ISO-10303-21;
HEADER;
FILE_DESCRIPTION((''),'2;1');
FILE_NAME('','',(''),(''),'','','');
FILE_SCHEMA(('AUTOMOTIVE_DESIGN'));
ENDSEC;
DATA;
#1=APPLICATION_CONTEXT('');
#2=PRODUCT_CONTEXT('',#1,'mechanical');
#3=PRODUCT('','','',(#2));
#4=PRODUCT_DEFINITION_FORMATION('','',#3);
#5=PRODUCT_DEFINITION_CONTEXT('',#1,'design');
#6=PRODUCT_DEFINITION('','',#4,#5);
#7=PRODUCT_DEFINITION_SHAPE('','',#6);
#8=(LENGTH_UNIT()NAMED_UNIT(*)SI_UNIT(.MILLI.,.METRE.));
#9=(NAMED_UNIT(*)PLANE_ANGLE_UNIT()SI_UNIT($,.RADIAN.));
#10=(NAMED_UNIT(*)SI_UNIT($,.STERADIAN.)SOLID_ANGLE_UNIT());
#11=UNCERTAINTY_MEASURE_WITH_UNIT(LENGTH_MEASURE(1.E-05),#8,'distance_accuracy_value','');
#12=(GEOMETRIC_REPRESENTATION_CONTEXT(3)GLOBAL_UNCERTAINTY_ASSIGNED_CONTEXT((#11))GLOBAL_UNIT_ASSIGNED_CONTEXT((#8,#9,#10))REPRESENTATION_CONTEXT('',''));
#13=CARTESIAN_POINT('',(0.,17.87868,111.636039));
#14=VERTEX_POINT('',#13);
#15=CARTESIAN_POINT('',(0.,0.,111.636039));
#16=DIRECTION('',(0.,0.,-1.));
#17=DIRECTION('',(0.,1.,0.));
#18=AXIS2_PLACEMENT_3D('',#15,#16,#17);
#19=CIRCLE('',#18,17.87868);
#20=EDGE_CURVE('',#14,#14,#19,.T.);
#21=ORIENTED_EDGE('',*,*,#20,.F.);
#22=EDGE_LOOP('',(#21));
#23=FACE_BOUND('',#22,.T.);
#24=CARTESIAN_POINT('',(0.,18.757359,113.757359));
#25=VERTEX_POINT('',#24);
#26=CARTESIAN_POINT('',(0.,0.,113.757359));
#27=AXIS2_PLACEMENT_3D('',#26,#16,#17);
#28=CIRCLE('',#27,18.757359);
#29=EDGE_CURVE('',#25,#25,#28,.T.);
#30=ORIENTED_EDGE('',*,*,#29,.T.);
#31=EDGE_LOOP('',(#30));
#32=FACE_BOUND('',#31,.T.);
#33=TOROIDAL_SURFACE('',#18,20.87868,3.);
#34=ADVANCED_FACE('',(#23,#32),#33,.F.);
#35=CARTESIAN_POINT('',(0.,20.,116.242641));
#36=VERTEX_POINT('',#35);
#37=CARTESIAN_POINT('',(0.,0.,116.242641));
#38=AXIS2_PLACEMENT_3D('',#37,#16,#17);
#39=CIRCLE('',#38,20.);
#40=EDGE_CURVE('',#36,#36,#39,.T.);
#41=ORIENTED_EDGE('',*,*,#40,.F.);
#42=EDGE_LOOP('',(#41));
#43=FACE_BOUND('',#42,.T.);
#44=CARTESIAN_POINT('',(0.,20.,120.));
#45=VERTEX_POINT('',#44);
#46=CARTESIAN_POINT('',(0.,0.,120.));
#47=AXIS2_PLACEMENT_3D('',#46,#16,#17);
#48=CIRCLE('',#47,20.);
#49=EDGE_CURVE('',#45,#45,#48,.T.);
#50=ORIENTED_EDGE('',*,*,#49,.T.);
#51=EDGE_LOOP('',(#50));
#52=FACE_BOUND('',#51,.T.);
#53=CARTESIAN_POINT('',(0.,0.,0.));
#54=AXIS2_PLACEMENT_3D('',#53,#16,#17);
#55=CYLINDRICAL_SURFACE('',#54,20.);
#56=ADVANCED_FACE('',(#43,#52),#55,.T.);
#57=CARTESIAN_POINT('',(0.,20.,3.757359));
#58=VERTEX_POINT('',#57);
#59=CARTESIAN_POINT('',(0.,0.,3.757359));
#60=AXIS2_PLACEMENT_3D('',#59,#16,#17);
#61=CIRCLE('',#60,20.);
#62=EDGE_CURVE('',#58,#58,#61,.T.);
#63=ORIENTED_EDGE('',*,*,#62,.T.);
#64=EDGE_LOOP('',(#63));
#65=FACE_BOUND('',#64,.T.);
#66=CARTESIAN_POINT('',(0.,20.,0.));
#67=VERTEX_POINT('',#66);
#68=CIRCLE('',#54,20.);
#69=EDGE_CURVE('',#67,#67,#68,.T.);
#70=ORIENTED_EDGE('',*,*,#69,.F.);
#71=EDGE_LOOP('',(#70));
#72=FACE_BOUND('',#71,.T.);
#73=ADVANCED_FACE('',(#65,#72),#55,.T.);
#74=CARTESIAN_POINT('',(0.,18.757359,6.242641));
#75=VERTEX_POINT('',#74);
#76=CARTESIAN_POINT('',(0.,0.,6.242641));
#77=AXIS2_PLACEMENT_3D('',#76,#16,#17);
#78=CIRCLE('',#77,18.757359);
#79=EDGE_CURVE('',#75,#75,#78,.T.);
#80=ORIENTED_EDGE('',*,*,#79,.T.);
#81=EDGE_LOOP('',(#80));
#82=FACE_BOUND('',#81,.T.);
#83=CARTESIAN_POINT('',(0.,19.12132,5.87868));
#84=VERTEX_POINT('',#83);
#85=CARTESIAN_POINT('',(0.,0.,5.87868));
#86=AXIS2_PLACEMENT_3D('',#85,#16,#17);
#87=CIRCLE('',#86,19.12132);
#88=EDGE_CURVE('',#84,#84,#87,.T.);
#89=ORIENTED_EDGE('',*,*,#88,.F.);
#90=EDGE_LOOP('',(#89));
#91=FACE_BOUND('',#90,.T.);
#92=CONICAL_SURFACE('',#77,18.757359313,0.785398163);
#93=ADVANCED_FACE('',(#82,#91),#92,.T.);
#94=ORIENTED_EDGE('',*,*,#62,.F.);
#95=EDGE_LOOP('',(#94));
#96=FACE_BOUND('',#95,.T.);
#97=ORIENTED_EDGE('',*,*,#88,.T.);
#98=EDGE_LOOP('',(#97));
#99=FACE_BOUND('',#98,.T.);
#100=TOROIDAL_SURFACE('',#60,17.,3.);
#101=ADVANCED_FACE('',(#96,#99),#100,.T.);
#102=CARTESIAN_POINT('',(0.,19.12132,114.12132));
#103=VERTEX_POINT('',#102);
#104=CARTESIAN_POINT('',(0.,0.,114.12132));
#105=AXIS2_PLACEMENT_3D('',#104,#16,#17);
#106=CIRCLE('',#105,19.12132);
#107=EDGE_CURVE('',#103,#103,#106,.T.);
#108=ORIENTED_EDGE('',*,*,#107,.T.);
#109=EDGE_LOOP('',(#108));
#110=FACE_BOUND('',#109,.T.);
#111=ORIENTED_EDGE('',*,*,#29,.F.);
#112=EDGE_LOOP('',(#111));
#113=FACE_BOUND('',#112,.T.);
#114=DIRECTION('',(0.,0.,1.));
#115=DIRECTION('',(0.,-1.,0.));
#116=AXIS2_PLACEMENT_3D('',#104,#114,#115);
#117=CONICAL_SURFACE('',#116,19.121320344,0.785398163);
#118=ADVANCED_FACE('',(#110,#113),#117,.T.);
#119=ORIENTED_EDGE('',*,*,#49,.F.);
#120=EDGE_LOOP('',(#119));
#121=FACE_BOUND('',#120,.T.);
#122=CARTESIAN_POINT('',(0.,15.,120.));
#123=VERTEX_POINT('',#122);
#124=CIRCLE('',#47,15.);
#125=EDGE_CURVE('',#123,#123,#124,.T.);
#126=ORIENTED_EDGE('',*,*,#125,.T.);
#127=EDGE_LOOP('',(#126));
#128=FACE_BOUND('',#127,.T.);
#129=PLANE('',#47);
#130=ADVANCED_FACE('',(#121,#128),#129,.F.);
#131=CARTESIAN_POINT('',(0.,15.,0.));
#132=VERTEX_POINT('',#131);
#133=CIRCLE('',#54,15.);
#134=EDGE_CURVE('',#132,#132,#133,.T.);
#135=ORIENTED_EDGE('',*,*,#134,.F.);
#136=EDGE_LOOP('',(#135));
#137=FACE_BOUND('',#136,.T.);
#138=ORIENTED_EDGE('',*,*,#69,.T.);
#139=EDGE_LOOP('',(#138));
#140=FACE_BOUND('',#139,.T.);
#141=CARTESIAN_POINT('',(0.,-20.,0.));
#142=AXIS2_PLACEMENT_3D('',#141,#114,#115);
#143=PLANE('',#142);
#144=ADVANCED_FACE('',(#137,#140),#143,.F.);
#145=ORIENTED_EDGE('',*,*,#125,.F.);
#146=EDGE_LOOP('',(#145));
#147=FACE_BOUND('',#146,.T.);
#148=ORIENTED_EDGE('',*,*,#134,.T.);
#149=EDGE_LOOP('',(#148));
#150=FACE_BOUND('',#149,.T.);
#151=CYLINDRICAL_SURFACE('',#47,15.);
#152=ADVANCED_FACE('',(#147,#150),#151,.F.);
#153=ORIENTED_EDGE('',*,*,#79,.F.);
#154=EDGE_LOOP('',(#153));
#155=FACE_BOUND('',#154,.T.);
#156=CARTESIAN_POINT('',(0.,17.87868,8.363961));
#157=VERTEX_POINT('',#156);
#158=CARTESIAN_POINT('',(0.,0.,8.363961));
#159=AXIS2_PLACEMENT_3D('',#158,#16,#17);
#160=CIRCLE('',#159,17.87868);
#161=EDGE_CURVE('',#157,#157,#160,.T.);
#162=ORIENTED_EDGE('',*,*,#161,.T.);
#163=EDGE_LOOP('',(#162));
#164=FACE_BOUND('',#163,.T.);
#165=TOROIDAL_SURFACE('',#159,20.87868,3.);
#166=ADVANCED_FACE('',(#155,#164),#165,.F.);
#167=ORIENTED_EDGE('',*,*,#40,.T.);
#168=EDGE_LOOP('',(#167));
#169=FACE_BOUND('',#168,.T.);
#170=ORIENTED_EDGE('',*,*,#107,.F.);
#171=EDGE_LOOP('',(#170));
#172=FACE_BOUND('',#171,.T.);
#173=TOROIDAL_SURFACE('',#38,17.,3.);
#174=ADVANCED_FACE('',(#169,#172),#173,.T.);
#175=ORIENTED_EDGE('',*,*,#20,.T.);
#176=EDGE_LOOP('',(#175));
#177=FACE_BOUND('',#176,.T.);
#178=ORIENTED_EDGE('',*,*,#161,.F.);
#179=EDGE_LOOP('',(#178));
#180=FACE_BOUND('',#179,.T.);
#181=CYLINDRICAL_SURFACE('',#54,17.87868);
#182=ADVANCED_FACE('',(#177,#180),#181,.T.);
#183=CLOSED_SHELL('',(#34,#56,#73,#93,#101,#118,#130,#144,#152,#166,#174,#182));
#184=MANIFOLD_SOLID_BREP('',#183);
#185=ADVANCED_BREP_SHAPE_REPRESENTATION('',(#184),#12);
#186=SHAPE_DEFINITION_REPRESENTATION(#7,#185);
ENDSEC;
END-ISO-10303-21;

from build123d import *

# Parameters (mm, degrees)
SKETCH2_R          = 15
CUT_EXTRUDE1_DEPTH = 121


with BuildPart() as part:
    # Sketch1 → Revolve2 (revolve)
    with BuildSketch(Plane(origin=(0, 0, 0), x_dir=(0, 0, -1), z_dir=(1, 0, 0))):
        with BuildLine():
            Line((0, 0), (-120, 0))
            Line((-120, 0), (-120, -20))
            Line((-120, -20), (-116.242640687, -20))
            ThreePointArc((-116.242640687, -20), (-115.09459039, -19.771638598), (-114.121320344, -19.121320344))
            Line((-114.121320344, -19.121320344), (-113.757359313, -18.757359313))
            ThreePointArc((-113.757359313, -18.757359313), (-112.784089266, -18.107041059), (-111.636038969, -17.878679656))
            Line((-111.636038969, -17.878679656), (-8.363961031, -17.878679656))
            ThreePointArc((-8.363961031, -17.878679656), (-7.215910734, -18.107041059), (-6.242640687, -18.757359313))
            Line((-6.242640687, -18.757359313), (-5.878679656, -19.121320344))
            ThreePointArc((-5.878679656, -19.121320344), (-4.90540961, -19.771638598), (-3.757359313, -20))
            Line((-3.757359313, -20), (0, -20))
            Line((0, -20), (0, 0))
        make_face()
    revolve(axis=Axis((0, 0, 0), (0, 0, 1)))

    # Sketch2 → Cut-Extrude1 (cut, through all)
    with BuildSketch(Plane(origin=(0, 0, 0), x_dir=(-1, 0, 0), z_dir=(0, 0, -1))):
        Circle(SKETCH2_R)
    extrude(amount=-CUT_EXTRUDE1_DEPTH, mode=Mode.SUBTRACT)


solid = part.part
